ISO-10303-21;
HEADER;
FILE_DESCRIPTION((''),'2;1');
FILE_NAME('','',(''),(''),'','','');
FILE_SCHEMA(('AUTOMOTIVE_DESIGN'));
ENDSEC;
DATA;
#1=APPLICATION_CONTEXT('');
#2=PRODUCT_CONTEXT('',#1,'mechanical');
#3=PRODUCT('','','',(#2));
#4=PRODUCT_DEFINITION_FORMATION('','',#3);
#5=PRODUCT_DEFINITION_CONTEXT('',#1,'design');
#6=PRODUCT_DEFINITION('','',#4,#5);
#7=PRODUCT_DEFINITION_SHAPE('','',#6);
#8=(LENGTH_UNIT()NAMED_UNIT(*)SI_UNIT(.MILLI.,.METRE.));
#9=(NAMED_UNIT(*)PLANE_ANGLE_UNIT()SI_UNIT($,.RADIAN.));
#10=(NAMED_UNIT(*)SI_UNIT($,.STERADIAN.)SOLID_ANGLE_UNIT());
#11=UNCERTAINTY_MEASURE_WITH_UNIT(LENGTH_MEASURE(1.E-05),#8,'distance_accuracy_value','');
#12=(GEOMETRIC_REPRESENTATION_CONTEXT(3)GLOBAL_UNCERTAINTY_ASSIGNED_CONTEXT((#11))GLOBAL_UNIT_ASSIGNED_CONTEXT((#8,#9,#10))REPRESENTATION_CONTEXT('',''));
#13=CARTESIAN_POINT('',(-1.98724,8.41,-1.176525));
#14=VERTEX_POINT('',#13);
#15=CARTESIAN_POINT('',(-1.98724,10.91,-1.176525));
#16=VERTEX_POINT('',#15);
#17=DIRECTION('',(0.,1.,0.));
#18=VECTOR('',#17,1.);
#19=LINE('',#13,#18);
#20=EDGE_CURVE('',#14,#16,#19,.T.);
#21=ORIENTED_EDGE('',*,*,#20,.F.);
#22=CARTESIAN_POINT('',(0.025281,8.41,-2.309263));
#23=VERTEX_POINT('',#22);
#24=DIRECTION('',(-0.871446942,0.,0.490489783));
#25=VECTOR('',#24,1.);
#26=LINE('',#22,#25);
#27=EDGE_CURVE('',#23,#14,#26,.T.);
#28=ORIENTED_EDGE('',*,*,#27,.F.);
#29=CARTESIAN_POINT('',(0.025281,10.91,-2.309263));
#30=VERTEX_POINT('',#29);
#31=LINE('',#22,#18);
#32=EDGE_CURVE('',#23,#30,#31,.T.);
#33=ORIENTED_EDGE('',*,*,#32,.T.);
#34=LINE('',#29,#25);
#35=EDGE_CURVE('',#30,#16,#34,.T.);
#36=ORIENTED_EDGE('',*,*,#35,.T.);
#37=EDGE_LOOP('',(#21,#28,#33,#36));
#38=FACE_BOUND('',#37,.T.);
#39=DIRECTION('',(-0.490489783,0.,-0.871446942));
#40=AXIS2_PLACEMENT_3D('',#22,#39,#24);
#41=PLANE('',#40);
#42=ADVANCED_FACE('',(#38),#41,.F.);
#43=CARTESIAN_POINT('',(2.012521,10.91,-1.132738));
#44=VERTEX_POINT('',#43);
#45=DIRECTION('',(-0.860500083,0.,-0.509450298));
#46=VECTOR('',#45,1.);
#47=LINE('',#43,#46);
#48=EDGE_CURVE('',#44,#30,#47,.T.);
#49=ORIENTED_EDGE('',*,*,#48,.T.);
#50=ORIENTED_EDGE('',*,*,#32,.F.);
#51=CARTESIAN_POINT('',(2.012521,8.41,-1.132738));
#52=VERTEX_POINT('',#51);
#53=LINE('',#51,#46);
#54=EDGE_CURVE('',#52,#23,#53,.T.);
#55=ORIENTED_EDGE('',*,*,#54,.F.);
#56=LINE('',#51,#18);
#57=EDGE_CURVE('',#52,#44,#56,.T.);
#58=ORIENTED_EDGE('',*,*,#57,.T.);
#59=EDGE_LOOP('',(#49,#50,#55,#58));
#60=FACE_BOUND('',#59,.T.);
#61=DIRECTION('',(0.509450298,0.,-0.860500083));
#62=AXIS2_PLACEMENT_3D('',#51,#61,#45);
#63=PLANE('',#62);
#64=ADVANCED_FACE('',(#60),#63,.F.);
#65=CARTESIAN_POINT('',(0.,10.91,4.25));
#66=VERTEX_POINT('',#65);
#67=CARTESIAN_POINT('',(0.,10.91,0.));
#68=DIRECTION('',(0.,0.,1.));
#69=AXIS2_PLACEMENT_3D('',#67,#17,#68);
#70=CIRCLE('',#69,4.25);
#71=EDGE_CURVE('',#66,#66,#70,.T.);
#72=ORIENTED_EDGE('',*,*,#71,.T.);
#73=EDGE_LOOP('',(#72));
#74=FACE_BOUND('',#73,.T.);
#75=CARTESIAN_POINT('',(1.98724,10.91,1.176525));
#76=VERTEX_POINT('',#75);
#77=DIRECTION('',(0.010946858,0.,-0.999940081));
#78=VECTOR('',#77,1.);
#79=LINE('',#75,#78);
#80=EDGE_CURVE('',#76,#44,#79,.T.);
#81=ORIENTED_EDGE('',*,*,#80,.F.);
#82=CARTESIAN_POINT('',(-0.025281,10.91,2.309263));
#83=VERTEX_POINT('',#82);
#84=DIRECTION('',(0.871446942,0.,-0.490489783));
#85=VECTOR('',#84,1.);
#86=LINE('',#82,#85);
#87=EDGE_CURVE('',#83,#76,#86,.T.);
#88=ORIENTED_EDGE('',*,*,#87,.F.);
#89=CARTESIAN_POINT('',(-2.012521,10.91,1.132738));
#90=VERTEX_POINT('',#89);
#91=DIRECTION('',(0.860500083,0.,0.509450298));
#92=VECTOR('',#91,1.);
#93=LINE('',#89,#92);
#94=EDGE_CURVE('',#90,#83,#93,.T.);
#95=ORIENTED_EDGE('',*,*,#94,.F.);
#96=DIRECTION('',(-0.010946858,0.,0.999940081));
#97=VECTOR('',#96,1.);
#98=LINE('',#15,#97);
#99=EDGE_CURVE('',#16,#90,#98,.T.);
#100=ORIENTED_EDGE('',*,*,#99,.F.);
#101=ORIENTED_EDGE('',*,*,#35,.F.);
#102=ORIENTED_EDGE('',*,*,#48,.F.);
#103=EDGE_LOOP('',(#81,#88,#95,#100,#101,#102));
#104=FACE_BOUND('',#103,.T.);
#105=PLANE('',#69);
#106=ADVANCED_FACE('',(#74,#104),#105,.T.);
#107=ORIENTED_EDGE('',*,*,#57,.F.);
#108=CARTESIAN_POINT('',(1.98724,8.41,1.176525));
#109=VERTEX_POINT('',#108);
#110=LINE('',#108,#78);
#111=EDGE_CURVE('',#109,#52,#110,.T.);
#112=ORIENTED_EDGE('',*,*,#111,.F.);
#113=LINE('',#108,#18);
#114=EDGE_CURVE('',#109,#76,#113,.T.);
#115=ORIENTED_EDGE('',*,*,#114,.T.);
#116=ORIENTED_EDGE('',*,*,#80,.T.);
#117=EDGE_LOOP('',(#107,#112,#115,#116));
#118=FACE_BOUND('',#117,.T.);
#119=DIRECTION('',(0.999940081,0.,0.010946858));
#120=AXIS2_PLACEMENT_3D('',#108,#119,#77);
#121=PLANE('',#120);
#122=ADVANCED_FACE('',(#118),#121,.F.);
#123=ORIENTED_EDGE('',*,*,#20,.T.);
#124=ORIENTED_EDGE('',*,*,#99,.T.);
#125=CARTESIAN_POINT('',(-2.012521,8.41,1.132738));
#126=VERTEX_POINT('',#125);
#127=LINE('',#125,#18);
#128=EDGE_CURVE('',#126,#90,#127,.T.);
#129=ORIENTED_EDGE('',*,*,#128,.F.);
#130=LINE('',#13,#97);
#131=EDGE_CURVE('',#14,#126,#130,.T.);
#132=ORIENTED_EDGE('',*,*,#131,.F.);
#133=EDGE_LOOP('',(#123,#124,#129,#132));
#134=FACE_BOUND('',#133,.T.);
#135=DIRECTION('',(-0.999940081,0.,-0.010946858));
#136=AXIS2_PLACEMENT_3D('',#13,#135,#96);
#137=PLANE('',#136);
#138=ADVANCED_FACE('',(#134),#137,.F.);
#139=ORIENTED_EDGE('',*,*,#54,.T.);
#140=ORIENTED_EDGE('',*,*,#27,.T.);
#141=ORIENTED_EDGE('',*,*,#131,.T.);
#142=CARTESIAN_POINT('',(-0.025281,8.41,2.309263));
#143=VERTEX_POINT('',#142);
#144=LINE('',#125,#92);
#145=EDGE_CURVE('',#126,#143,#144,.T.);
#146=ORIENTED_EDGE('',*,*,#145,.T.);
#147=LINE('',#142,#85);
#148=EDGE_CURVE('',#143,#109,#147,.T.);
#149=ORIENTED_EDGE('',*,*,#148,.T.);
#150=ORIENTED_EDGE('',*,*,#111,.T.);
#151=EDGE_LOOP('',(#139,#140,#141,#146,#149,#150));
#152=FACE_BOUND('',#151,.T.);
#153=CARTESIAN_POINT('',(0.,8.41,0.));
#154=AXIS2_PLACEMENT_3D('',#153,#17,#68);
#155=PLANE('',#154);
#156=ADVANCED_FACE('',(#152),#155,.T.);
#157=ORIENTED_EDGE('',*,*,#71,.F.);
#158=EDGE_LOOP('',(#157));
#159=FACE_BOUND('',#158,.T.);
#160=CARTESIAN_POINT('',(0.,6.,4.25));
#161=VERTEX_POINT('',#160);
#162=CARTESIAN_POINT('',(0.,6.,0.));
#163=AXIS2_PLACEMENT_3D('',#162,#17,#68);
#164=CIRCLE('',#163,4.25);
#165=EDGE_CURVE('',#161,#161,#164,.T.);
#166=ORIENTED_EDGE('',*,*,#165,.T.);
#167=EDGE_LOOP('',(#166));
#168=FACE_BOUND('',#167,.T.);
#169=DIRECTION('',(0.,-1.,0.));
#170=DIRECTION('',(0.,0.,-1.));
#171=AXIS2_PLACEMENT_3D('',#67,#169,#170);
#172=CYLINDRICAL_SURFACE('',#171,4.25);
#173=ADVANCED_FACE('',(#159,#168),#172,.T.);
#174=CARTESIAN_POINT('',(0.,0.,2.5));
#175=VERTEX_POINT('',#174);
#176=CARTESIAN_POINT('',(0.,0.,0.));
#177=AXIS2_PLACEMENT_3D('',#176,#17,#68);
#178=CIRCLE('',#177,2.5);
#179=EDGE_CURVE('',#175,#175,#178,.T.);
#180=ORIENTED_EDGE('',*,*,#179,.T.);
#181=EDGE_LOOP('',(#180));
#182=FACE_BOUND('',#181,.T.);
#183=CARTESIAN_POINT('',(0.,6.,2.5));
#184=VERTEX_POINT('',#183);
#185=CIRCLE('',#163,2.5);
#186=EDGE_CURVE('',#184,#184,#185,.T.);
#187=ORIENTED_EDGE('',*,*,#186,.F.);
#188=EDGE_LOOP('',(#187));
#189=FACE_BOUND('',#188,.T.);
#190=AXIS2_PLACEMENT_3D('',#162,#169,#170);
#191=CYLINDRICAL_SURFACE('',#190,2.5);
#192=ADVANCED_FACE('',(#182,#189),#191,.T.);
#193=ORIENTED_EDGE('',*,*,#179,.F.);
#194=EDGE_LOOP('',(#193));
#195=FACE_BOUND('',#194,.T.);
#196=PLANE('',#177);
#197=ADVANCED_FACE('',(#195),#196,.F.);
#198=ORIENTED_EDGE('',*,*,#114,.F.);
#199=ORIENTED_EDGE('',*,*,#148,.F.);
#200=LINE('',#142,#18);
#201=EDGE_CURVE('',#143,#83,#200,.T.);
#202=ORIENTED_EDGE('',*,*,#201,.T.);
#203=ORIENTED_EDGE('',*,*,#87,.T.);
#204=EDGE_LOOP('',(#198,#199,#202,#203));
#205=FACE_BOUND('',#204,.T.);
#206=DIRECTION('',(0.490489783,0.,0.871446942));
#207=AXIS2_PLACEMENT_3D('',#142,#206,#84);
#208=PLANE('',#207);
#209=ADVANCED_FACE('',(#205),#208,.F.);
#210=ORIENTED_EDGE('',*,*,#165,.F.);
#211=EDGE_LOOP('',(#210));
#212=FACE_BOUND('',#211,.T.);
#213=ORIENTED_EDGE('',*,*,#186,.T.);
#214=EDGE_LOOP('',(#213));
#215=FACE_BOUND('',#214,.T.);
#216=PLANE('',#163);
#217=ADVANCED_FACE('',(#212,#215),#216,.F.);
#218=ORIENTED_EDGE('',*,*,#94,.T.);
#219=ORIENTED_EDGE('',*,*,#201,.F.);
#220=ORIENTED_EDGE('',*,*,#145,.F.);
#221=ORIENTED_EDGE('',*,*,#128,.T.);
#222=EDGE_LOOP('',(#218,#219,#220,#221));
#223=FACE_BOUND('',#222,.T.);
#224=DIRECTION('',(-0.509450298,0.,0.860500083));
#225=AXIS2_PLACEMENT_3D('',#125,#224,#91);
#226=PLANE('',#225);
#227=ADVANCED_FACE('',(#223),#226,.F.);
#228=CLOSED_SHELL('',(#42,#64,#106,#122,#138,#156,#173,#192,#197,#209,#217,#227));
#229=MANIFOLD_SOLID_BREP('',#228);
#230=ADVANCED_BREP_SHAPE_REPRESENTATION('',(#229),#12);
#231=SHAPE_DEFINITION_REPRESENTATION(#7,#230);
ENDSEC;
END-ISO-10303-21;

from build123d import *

# Parameters (mm, degrees)
SKETCH_1_R          = 2.5
EXTRUDE_1_DEPTH     = 6
SKETCH_2_R          = 4.25
EXTRUDE_2_DEPTH     = 4.91
CUT_EXTRUDE_1_DEPTH = 2.5


with BuildPart() as part:
    # 草图1 → 凸台-拉伸1 (new body)
    with BuildSketch(Plane(origin=(0, 0, 0), x_dir=(1, 0, 0), z_dir=(0, 1, 0))):
        Circle(SKETCH_1_R)
    extrude(amount=EXTRUDE_1_DEPTH)

    # 草图2 → 凸台-拉伸2 (add)
    with BuildSketch(Plane(origin=(0, 6, 0), x_dir=(1, 0, 0), z_dir=(0, 1, 0))):
        Circle(SKETCH_2_R)
    extrude(amount=EXTRUDE_2_DEPTH)

    # 草图3 → 切除-拉伸1 (cut)
    with BuildSketch(Plane(origin=(0, 10.91, 0), x_dir=(1, 0, 0), z_dir=(0, 1, 0))):
        Polygon((1.987239819, -1.176525067), (2.012520506, 1.132737633), (0.025280687, 2.309262701), (-1.987239819, 1.176525067), (-2.012520506, -1.132737633), (-0.025280687, -2.309262701), align=None)
    extrude(amount=-CUT_EXTRUDE_1_DEPTH, mode=Mode.SUBTRACT)


solid = part.part
